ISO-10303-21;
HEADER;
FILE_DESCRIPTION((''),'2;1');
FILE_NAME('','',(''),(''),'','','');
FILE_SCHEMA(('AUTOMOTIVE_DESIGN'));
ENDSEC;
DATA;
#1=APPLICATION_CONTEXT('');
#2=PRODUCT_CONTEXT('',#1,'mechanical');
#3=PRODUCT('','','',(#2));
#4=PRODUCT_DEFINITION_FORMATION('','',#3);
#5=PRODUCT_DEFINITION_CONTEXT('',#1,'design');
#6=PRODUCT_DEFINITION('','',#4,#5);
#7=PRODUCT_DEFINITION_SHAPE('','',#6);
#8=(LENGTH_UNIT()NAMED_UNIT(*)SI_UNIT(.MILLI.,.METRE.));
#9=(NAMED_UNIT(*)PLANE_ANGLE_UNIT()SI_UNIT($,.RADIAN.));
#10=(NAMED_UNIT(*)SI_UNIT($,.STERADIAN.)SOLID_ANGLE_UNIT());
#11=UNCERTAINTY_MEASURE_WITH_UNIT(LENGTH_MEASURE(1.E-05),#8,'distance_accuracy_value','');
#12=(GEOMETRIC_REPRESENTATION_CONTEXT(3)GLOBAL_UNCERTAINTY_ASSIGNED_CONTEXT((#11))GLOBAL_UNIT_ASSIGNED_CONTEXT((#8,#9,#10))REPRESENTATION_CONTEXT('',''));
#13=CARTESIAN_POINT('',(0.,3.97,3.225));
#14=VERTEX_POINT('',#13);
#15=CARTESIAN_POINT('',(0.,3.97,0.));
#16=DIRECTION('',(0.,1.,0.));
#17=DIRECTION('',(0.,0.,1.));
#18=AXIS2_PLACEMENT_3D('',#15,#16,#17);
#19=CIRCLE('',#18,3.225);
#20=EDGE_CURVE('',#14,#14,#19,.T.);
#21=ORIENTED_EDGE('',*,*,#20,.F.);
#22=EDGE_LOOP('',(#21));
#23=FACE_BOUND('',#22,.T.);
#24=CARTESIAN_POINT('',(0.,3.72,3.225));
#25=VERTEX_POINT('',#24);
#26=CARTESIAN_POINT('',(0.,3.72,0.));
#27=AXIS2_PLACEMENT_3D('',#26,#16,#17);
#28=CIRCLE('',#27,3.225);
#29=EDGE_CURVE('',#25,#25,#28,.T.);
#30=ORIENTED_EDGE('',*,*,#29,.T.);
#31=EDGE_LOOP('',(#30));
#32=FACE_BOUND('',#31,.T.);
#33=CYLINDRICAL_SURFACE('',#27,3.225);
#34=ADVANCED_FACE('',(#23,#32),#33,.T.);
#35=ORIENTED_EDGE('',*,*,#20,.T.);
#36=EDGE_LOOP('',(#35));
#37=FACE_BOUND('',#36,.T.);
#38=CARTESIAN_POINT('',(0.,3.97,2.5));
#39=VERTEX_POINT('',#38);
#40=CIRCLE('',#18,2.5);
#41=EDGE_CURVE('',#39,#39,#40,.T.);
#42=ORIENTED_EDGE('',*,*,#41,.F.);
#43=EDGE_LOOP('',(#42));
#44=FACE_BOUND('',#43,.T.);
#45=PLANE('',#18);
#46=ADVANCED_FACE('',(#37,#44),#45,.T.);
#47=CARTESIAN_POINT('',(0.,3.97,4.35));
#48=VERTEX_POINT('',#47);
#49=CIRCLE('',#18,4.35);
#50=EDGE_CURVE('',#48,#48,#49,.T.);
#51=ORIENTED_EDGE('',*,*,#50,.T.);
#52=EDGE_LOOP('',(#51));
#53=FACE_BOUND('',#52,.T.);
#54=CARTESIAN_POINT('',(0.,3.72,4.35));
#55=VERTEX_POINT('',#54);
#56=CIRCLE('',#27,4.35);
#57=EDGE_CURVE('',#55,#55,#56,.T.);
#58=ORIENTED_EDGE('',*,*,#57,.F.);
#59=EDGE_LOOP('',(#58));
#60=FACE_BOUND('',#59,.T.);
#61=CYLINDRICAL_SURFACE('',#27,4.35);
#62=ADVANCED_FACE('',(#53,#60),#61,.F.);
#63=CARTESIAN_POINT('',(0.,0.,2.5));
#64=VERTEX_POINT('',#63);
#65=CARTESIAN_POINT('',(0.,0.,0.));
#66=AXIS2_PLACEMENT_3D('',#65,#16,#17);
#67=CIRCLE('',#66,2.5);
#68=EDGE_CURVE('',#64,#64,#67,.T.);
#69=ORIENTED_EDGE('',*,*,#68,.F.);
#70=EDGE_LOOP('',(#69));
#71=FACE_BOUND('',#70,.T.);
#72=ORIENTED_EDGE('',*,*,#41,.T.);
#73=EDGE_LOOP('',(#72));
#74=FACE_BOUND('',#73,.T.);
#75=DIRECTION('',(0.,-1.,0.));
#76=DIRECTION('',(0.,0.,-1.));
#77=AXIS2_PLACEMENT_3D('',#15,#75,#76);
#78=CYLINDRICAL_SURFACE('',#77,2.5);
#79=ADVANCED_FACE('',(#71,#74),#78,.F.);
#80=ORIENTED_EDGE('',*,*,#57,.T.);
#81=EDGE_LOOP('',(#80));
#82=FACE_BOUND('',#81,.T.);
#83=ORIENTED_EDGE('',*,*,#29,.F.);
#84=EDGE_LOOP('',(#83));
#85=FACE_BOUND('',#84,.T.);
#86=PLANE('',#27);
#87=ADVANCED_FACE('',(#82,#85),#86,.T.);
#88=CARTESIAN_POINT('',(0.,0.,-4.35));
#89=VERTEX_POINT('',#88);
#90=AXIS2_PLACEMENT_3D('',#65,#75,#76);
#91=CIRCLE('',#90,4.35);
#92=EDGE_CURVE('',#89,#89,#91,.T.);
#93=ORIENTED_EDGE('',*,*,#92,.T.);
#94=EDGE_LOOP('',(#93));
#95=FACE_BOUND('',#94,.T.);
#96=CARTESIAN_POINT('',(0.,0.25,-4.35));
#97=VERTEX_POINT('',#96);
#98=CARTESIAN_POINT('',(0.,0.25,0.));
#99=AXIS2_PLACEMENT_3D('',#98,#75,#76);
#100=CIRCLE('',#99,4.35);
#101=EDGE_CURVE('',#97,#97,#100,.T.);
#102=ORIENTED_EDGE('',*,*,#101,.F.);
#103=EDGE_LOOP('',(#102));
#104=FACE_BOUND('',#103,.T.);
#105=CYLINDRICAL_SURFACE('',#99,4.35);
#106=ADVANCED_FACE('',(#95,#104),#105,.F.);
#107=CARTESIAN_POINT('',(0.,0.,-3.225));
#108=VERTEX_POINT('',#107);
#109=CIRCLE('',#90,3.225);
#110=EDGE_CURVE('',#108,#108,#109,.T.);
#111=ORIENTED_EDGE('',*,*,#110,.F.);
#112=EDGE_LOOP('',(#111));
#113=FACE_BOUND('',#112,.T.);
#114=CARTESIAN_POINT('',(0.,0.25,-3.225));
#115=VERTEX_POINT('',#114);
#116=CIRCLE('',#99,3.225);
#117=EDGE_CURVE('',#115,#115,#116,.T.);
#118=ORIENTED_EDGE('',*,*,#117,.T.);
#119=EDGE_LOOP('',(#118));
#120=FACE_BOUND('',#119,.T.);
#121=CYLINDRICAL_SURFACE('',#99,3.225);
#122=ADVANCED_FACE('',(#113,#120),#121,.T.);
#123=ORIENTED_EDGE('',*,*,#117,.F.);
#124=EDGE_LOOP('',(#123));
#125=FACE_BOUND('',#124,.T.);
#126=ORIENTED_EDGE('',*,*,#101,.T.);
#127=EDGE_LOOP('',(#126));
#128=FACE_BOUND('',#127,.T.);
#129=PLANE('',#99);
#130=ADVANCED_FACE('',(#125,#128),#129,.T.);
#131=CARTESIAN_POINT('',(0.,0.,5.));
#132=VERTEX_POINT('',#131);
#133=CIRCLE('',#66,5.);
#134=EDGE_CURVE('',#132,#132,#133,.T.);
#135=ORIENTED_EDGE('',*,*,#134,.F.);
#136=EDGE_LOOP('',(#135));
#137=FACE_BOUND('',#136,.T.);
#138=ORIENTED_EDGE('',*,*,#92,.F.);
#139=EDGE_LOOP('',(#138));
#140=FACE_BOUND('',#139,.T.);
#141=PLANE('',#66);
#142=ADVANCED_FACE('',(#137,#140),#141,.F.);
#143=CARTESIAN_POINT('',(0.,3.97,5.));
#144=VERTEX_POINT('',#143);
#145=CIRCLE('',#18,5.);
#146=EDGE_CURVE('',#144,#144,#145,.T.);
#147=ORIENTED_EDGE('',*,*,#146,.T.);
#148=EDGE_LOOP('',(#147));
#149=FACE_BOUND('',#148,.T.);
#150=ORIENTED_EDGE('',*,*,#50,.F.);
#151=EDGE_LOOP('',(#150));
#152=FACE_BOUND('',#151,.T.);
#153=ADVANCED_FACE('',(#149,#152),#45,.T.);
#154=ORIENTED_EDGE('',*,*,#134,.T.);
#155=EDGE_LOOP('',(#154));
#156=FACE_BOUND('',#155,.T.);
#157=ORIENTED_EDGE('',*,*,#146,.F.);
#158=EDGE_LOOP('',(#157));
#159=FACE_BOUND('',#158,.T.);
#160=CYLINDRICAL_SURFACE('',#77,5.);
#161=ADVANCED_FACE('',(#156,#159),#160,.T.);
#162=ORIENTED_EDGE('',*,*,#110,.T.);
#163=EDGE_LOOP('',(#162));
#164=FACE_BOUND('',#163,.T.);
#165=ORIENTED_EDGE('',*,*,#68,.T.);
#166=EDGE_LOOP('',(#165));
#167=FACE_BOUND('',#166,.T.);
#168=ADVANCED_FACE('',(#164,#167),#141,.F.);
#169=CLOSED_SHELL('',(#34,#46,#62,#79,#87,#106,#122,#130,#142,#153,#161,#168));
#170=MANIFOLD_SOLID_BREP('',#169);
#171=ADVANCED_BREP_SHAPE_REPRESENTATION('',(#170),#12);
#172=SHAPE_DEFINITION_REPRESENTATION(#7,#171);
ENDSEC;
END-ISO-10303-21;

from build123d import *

# Parameters (mm, degrees)
SKETCH1_R           = 5
SKETCH1_R_2         = 2.5
BOSS_EXTRUDE1_DEPTH = 3.97
SKETCH2_R           = 4.35
SKETCH2_R_2         = 3.225
CUT_EXTRUDE1_DEPTH  = 0.25
SKETCH3_R           = 4.35
SKETCH3_R_2         = 3.225
CUT_EXTRUDE2_DEPTH  = 0.25


with BuildPart() as part:
    # Sketch1 → Boss-Extrude1 (new body)
    with BuildSketch(Plane(origin=(0, 0, 0), x_dir=(1, 0, 0), z_dir=(0, 1, 0))):
        Circle(SKETCH1_R)
        Circle(SKETCH1_R_2, mode=Mode.SUBTRACT)
    extrude(amount=BOSS_EXTRUDE1_DEPTH)

    # Sketch2 → Cut-Extrude1 (cut)
    with BuildSketch(Plane(origin=(0, 3.97, 0), x_dir=(1, 0, 0), z_dir=(0, 1, 0))):
        Circle(SKETCH2_R)
        Circle(SKETCH2_R_2, mode=Mode.SUBTRACT)
    extrude(amount=-CUT_EXTRUDE1_DEPTH, mode=Mode.SUBTRACT)

    # Sketch3 → Cut-Extrude2 (cut)
    with BuildSketch(Plane.XZ):
        Circle(SKETCH3_R)
        Circle(SKETCH3_R_2, mode=Mode.SUBTRACT)
    extrude(amount=-CUT_EXTRUDE2_DEPTH, mode=Mode.SUBTRACT)


solid = part.part
